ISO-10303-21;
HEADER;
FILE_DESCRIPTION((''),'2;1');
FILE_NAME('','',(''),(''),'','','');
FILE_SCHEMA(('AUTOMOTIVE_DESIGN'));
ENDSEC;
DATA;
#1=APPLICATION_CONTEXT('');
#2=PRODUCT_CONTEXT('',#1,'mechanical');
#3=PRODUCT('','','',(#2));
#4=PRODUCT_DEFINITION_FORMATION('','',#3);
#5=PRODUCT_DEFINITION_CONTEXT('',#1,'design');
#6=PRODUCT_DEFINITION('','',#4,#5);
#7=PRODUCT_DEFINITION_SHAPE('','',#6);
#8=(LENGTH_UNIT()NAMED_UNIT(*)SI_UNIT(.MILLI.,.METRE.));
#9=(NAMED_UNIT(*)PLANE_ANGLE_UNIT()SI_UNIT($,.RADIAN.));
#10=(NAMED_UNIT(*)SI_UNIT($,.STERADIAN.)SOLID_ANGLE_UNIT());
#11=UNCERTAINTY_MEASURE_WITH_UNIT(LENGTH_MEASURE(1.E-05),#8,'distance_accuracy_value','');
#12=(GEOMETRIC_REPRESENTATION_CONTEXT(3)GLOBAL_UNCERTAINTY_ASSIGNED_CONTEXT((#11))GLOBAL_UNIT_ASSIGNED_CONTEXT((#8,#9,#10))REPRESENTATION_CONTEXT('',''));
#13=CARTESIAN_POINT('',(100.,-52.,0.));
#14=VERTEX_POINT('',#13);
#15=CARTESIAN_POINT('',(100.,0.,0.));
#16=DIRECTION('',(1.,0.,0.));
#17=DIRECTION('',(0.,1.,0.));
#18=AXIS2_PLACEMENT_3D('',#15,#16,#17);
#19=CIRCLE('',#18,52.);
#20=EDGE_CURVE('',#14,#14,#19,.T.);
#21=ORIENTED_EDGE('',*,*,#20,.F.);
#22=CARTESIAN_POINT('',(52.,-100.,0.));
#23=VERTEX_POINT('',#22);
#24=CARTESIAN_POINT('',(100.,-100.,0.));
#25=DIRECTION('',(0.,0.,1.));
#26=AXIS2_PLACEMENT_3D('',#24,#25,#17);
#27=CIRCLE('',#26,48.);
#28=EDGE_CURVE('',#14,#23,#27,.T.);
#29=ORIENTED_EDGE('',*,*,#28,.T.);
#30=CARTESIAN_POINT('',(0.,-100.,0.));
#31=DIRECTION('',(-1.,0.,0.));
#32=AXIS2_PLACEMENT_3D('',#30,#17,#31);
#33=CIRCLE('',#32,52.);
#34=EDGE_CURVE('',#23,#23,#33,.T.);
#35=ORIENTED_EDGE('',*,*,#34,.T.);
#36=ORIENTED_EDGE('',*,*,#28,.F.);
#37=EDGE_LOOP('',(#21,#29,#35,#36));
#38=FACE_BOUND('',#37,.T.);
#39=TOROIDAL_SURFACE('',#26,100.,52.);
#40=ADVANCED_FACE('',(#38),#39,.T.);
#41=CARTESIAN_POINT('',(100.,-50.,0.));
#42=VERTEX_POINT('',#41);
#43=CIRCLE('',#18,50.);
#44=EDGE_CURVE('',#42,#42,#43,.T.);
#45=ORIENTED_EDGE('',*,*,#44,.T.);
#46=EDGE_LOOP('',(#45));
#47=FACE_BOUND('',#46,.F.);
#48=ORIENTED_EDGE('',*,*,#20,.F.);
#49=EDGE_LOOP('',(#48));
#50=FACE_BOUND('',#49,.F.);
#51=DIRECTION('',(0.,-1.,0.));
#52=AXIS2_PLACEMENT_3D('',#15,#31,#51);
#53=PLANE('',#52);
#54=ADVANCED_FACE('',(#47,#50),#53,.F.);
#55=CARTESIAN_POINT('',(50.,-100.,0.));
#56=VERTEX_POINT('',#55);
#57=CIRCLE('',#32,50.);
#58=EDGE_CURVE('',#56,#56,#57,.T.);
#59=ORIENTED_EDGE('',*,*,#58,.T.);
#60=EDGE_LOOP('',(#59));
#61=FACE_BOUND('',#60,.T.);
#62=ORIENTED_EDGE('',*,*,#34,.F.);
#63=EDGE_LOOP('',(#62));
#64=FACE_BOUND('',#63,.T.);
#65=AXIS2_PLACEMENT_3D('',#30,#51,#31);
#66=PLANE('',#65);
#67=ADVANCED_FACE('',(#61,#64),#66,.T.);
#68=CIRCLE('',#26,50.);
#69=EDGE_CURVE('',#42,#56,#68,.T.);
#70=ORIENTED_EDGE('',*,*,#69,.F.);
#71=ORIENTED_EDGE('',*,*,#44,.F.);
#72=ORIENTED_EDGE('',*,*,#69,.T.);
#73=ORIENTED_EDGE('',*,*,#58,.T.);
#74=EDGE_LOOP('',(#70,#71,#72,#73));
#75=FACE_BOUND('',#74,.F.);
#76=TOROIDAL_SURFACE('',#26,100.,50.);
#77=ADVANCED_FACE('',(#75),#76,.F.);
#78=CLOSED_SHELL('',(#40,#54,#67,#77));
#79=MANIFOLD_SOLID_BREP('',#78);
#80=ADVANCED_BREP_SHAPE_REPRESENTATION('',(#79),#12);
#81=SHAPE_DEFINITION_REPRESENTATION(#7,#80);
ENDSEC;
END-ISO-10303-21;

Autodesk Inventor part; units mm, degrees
ref_plane "YZ Plane" through (0, 0, 0) normal (1, 0, 0) x (0, 1, 0)
ref_plane "XZ Plane" through (0, 0, 0) normal (0, 1, 0) x (-1, 0, 0)
sketch "Szkic6" plane through (0, 0, 0) normal (0, 0, 1) x (1, 0, 0)
  line L0 (-29.6067, 0) -> (35.2678, 0) construction
  line L1 (0, 42.3419) -> (0, -58.3726) construction
  arc A0 (100, 0) -> (0, -100) centre (100, -100) ccw
  line L2 (0, -100) -> (100, -100) construction
  line L3 (100, -100) -> (100, -34.4669) construction
  line L4 (100, 0) -> (100, 0)
  line L5 (0, -100) -> (0, -100)
  point P0 (0, 0)
  dimension "d24" = 100
  dimension "d31" = 90
  dimension "d36" = 0
  dimension "d37" = 0
ref_plane "Płaszczyzna konstrukcyjna2" through (0, -100, 0) normal (0, -1, 0) x (1, 0, 0)
sketch "Szkic8" plane through (0, -100, 0) normal (0, -1, 0) x (1, 0, 0)
  circle A0 centre (0, 0) radius 52
  circle A1 centre (0, 0) radius 50
  dimension "d32" = 104
  dimension "d33" = 2
sweep "Przeciągnięcie2" add profiles "Szkic8" path "Szkic6"
equation "\"d32\" = OD"
equation "\"d33\" = THK"
equation "\"d24\" = R"
equation "\"d31\" = KAT"
equation "\"SzerokośćGięciaPodcięcia\" = Grubość"
equation "\"RozmiarPodcięciaNarożnika\" = 4 * Grubość"
equation "\"PromieńPrzejścia\" = PromieńGięcia"
equation "\"Rozmiar_promienia_Jacobiego\" = PromieńGięcia"
equation "\"Wielk_odstępu\" = Grubość"
equation "\"d2\" = PromieńGięcia"
equation "\"d23\" = PromieńGięcia"
equation "\"R\" = 100"
equation "\"OD\" = 104"
equation "\"THK\" = 2"
equation "\"KAT\" = 90deg"
equation "\"PROSTKA\" = 0"
equation "\"Grubość\" = 1.5"
equation "\"PromieńGięcia\" = 3"
properties part number "Kolano 90° ø104x2 R100" material "304L"
